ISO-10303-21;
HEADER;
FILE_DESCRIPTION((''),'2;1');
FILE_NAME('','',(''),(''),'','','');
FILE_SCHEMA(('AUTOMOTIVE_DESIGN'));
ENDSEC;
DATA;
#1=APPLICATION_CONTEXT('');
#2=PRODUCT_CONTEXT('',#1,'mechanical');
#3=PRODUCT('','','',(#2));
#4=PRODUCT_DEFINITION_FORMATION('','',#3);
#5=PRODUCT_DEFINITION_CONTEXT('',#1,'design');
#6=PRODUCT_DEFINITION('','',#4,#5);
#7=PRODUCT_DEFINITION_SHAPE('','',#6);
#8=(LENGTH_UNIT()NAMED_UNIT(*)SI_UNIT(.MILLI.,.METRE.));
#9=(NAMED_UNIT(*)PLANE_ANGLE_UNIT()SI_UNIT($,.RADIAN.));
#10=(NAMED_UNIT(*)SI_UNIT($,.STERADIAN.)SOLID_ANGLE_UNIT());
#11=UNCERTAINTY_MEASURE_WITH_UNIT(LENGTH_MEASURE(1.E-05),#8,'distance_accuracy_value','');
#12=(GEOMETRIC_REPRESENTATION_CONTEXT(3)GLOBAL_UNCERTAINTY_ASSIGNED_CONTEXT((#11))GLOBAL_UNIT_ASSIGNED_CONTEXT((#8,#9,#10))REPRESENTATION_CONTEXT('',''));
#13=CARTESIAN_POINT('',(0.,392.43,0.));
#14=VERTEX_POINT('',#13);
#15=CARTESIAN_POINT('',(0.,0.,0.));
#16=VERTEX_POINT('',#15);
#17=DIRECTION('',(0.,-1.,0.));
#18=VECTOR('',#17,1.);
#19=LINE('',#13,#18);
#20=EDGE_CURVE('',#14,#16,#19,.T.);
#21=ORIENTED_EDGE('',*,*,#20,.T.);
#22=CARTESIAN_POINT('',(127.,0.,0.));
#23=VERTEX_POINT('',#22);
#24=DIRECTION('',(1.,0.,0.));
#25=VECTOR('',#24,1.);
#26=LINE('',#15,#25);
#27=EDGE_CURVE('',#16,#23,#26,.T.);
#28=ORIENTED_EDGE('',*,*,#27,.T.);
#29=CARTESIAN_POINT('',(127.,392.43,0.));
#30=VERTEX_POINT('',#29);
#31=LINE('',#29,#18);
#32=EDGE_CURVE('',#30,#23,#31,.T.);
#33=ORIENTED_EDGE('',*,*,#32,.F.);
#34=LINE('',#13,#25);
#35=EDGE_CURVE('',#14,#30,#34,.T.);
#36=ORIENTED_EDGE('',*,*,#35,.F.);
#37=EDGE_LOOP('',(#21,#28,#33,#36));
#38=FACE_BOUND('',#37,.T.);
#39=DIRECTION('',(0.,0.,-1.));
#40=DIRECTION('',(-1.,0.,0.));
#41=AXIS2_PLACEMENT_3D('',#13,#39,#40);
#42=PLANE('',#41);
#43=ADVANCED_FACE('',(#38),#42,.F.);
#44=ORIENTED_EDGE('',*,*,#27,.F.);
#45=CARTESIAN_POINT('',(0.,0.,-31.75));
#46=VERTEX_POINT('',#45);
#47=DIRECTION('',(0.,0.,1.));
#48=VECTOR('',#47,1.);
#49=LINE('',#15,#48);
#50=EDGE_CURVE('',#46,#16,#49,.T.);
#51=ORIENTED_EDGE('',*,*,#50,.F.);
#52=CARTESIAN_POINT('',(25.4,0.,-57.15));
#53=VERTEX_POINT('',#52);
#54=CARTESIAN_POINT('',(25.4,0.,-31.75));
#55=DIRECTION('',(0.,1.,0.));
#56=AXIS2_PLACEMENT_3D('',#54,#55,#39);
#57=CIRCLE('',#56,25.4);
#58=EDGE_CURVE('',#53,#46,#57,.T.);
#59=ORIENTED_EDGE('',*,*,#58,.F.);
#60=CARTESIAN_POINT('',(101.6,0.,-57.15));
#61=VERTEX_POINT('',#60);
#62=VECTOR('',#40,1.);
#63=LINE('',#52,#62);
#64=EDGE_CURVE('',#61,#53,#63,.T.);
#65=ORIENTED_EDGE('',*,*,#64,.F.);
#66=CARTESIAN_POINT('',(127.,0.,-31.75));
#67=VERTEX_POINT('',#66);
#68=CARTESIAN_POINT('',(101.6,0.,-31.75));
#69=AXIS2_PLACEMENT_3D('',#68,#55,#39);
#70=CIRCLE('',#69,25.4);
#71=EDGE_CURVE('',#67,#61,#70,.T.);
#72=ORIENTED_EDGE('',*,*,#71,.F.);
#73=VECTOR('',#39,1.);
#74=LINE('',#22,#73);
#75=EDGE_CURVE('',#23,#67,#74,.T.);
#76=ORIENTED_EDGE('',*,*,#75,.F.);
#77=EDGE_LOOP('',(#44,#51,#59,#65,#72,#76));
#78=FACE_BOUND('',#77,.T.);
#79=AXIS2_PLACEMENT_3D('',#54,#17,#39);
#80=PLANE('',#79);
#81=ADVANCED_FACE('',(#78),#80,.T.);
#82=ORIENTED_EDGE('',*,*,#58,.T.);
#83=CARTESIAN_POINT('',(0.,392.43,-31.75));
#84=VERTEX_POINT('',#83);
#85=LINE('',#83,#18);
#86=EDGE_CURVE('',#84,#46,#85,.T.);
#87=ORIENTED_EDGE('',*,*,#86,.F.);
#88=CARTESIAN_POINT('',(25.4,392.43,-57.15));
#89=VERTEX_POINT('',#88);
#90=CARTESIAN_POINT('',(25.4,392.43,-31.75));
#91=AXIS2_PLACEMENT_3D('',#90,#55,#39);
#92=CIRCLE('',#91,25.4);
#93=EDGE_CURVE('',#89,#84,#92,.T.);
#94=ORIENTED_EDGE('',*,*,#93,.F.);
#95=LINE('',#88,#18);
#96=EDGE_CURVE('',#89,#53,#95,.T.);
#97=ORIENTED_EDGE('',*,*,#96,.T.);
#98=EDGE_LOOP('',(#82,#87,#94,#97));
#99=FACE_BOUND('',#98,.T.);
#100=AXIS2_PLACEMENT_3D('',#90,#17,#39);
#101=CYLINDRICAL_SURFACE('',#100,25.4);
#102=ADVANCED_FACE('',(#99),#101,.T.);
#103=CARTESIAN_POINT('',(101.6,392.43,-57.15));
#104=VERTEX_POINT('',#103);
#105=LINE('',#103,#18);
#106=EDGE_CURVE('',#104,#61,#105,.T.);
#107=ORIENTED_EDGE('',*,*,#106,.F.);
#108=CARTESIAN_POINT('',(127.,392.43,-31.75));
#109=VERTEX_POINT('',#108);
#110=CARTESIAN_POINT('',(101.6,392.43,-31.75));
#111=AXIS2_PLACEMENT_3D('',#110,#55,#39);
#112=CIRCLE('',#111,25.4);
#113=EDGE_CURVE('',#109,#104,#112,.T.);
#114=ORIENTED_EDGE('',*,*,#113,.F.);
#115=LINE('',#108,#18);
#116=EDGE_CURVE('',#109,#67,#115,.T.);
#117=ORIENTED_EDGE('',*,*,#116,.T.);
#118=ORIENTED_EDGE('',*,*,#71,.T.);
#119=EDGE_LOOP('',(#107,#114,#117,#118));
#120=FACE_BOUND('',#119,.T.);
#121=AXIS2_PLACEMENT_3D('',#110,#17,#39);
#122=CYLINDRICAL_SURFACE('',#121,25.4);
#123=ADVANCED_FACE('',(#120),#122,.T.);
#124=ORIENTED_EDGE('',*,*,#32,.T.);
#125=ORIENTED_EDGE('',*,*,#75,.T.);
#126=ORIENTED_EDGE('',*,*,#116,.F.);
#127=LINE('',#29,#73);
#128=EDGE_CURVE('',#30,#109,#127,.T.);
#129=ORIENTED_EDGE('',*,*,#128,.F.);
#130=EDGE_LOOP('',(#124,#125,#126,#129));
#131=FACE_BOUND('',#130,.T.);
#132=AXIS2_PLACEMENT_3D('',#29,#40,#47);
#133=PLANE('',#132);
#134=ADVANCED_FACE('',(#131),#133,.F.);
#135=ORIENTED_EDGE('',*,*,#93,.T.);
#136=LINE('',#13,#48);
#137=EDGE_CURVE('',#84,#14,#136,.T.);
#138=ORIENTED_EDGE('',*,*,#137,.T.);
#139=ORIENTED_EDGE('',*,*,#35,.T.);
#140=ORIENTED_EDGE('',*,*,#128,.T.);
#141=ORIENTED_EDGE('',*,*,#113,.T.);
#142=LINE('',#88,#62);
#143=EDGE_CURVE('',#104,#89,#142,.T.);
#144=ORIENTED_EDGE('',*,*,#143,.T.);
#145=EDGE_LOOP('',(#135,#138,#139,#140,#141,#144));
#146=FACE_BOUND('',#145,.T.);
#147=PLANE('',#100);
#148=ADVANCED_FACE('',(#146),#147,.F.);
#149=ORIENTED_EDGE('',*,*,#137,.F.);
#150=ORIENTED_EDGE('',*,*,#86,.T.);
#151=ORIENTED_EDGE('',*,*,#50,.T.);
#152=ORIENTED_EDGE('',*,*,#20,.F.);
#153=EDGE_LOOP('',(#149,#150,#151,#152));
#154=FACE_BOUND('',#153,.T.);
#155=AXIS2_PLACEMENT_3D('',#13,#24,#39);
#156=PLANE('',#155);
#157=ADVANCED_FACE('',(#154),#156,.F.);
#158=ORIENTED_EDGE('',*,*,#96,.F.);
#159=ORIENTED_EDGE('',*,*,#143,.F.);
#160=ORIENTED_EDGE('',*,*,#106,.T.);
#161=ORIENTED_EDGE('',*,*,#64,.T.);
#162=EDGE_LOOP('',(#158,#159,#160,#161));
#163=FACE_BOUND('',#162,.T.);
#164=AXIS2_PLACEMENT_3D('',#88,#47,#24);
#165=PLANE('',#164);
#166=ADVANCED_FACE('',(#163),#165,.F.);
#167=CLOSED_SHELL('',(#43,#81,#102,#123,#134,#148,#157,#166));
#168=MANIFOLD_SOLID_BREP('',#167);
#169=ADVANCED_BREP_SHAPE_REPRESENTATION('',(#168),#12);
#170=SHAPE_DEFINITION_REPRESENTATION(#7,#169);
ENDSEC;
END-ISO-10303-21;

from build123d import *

# Parameters (mm, degrees)
BOSS_EXTRUDE1_DEPTH = 392.43


with BuildPart() as part:
    # Sketch1 → Boss-Extrude1 (new body)
    with BuildSketch(Plane(origin=(0, 0, 0), x_dir=(1, 0, 0), z_dir=(0, 1, 0))):
        with BuildLine():
            Line((0, 0), (127, 0))
            Line((127, 0), (127, 31.75))
            ThreePointArc((127, 31.75), (119.560512242, 49.710512242), (101.6, 57.15))
            Line((101.6, 57.15), (25.4, 57.15))
            ThreePointArc((25.4, 57.15), (7.439487758, 49.710512242), (0, 31.75))
            Line((0, 31.75), (0, 0))
        make_face()
    extrude(amount=BOSS_EXTRUDE1_DEPTH)


solid = part.part
